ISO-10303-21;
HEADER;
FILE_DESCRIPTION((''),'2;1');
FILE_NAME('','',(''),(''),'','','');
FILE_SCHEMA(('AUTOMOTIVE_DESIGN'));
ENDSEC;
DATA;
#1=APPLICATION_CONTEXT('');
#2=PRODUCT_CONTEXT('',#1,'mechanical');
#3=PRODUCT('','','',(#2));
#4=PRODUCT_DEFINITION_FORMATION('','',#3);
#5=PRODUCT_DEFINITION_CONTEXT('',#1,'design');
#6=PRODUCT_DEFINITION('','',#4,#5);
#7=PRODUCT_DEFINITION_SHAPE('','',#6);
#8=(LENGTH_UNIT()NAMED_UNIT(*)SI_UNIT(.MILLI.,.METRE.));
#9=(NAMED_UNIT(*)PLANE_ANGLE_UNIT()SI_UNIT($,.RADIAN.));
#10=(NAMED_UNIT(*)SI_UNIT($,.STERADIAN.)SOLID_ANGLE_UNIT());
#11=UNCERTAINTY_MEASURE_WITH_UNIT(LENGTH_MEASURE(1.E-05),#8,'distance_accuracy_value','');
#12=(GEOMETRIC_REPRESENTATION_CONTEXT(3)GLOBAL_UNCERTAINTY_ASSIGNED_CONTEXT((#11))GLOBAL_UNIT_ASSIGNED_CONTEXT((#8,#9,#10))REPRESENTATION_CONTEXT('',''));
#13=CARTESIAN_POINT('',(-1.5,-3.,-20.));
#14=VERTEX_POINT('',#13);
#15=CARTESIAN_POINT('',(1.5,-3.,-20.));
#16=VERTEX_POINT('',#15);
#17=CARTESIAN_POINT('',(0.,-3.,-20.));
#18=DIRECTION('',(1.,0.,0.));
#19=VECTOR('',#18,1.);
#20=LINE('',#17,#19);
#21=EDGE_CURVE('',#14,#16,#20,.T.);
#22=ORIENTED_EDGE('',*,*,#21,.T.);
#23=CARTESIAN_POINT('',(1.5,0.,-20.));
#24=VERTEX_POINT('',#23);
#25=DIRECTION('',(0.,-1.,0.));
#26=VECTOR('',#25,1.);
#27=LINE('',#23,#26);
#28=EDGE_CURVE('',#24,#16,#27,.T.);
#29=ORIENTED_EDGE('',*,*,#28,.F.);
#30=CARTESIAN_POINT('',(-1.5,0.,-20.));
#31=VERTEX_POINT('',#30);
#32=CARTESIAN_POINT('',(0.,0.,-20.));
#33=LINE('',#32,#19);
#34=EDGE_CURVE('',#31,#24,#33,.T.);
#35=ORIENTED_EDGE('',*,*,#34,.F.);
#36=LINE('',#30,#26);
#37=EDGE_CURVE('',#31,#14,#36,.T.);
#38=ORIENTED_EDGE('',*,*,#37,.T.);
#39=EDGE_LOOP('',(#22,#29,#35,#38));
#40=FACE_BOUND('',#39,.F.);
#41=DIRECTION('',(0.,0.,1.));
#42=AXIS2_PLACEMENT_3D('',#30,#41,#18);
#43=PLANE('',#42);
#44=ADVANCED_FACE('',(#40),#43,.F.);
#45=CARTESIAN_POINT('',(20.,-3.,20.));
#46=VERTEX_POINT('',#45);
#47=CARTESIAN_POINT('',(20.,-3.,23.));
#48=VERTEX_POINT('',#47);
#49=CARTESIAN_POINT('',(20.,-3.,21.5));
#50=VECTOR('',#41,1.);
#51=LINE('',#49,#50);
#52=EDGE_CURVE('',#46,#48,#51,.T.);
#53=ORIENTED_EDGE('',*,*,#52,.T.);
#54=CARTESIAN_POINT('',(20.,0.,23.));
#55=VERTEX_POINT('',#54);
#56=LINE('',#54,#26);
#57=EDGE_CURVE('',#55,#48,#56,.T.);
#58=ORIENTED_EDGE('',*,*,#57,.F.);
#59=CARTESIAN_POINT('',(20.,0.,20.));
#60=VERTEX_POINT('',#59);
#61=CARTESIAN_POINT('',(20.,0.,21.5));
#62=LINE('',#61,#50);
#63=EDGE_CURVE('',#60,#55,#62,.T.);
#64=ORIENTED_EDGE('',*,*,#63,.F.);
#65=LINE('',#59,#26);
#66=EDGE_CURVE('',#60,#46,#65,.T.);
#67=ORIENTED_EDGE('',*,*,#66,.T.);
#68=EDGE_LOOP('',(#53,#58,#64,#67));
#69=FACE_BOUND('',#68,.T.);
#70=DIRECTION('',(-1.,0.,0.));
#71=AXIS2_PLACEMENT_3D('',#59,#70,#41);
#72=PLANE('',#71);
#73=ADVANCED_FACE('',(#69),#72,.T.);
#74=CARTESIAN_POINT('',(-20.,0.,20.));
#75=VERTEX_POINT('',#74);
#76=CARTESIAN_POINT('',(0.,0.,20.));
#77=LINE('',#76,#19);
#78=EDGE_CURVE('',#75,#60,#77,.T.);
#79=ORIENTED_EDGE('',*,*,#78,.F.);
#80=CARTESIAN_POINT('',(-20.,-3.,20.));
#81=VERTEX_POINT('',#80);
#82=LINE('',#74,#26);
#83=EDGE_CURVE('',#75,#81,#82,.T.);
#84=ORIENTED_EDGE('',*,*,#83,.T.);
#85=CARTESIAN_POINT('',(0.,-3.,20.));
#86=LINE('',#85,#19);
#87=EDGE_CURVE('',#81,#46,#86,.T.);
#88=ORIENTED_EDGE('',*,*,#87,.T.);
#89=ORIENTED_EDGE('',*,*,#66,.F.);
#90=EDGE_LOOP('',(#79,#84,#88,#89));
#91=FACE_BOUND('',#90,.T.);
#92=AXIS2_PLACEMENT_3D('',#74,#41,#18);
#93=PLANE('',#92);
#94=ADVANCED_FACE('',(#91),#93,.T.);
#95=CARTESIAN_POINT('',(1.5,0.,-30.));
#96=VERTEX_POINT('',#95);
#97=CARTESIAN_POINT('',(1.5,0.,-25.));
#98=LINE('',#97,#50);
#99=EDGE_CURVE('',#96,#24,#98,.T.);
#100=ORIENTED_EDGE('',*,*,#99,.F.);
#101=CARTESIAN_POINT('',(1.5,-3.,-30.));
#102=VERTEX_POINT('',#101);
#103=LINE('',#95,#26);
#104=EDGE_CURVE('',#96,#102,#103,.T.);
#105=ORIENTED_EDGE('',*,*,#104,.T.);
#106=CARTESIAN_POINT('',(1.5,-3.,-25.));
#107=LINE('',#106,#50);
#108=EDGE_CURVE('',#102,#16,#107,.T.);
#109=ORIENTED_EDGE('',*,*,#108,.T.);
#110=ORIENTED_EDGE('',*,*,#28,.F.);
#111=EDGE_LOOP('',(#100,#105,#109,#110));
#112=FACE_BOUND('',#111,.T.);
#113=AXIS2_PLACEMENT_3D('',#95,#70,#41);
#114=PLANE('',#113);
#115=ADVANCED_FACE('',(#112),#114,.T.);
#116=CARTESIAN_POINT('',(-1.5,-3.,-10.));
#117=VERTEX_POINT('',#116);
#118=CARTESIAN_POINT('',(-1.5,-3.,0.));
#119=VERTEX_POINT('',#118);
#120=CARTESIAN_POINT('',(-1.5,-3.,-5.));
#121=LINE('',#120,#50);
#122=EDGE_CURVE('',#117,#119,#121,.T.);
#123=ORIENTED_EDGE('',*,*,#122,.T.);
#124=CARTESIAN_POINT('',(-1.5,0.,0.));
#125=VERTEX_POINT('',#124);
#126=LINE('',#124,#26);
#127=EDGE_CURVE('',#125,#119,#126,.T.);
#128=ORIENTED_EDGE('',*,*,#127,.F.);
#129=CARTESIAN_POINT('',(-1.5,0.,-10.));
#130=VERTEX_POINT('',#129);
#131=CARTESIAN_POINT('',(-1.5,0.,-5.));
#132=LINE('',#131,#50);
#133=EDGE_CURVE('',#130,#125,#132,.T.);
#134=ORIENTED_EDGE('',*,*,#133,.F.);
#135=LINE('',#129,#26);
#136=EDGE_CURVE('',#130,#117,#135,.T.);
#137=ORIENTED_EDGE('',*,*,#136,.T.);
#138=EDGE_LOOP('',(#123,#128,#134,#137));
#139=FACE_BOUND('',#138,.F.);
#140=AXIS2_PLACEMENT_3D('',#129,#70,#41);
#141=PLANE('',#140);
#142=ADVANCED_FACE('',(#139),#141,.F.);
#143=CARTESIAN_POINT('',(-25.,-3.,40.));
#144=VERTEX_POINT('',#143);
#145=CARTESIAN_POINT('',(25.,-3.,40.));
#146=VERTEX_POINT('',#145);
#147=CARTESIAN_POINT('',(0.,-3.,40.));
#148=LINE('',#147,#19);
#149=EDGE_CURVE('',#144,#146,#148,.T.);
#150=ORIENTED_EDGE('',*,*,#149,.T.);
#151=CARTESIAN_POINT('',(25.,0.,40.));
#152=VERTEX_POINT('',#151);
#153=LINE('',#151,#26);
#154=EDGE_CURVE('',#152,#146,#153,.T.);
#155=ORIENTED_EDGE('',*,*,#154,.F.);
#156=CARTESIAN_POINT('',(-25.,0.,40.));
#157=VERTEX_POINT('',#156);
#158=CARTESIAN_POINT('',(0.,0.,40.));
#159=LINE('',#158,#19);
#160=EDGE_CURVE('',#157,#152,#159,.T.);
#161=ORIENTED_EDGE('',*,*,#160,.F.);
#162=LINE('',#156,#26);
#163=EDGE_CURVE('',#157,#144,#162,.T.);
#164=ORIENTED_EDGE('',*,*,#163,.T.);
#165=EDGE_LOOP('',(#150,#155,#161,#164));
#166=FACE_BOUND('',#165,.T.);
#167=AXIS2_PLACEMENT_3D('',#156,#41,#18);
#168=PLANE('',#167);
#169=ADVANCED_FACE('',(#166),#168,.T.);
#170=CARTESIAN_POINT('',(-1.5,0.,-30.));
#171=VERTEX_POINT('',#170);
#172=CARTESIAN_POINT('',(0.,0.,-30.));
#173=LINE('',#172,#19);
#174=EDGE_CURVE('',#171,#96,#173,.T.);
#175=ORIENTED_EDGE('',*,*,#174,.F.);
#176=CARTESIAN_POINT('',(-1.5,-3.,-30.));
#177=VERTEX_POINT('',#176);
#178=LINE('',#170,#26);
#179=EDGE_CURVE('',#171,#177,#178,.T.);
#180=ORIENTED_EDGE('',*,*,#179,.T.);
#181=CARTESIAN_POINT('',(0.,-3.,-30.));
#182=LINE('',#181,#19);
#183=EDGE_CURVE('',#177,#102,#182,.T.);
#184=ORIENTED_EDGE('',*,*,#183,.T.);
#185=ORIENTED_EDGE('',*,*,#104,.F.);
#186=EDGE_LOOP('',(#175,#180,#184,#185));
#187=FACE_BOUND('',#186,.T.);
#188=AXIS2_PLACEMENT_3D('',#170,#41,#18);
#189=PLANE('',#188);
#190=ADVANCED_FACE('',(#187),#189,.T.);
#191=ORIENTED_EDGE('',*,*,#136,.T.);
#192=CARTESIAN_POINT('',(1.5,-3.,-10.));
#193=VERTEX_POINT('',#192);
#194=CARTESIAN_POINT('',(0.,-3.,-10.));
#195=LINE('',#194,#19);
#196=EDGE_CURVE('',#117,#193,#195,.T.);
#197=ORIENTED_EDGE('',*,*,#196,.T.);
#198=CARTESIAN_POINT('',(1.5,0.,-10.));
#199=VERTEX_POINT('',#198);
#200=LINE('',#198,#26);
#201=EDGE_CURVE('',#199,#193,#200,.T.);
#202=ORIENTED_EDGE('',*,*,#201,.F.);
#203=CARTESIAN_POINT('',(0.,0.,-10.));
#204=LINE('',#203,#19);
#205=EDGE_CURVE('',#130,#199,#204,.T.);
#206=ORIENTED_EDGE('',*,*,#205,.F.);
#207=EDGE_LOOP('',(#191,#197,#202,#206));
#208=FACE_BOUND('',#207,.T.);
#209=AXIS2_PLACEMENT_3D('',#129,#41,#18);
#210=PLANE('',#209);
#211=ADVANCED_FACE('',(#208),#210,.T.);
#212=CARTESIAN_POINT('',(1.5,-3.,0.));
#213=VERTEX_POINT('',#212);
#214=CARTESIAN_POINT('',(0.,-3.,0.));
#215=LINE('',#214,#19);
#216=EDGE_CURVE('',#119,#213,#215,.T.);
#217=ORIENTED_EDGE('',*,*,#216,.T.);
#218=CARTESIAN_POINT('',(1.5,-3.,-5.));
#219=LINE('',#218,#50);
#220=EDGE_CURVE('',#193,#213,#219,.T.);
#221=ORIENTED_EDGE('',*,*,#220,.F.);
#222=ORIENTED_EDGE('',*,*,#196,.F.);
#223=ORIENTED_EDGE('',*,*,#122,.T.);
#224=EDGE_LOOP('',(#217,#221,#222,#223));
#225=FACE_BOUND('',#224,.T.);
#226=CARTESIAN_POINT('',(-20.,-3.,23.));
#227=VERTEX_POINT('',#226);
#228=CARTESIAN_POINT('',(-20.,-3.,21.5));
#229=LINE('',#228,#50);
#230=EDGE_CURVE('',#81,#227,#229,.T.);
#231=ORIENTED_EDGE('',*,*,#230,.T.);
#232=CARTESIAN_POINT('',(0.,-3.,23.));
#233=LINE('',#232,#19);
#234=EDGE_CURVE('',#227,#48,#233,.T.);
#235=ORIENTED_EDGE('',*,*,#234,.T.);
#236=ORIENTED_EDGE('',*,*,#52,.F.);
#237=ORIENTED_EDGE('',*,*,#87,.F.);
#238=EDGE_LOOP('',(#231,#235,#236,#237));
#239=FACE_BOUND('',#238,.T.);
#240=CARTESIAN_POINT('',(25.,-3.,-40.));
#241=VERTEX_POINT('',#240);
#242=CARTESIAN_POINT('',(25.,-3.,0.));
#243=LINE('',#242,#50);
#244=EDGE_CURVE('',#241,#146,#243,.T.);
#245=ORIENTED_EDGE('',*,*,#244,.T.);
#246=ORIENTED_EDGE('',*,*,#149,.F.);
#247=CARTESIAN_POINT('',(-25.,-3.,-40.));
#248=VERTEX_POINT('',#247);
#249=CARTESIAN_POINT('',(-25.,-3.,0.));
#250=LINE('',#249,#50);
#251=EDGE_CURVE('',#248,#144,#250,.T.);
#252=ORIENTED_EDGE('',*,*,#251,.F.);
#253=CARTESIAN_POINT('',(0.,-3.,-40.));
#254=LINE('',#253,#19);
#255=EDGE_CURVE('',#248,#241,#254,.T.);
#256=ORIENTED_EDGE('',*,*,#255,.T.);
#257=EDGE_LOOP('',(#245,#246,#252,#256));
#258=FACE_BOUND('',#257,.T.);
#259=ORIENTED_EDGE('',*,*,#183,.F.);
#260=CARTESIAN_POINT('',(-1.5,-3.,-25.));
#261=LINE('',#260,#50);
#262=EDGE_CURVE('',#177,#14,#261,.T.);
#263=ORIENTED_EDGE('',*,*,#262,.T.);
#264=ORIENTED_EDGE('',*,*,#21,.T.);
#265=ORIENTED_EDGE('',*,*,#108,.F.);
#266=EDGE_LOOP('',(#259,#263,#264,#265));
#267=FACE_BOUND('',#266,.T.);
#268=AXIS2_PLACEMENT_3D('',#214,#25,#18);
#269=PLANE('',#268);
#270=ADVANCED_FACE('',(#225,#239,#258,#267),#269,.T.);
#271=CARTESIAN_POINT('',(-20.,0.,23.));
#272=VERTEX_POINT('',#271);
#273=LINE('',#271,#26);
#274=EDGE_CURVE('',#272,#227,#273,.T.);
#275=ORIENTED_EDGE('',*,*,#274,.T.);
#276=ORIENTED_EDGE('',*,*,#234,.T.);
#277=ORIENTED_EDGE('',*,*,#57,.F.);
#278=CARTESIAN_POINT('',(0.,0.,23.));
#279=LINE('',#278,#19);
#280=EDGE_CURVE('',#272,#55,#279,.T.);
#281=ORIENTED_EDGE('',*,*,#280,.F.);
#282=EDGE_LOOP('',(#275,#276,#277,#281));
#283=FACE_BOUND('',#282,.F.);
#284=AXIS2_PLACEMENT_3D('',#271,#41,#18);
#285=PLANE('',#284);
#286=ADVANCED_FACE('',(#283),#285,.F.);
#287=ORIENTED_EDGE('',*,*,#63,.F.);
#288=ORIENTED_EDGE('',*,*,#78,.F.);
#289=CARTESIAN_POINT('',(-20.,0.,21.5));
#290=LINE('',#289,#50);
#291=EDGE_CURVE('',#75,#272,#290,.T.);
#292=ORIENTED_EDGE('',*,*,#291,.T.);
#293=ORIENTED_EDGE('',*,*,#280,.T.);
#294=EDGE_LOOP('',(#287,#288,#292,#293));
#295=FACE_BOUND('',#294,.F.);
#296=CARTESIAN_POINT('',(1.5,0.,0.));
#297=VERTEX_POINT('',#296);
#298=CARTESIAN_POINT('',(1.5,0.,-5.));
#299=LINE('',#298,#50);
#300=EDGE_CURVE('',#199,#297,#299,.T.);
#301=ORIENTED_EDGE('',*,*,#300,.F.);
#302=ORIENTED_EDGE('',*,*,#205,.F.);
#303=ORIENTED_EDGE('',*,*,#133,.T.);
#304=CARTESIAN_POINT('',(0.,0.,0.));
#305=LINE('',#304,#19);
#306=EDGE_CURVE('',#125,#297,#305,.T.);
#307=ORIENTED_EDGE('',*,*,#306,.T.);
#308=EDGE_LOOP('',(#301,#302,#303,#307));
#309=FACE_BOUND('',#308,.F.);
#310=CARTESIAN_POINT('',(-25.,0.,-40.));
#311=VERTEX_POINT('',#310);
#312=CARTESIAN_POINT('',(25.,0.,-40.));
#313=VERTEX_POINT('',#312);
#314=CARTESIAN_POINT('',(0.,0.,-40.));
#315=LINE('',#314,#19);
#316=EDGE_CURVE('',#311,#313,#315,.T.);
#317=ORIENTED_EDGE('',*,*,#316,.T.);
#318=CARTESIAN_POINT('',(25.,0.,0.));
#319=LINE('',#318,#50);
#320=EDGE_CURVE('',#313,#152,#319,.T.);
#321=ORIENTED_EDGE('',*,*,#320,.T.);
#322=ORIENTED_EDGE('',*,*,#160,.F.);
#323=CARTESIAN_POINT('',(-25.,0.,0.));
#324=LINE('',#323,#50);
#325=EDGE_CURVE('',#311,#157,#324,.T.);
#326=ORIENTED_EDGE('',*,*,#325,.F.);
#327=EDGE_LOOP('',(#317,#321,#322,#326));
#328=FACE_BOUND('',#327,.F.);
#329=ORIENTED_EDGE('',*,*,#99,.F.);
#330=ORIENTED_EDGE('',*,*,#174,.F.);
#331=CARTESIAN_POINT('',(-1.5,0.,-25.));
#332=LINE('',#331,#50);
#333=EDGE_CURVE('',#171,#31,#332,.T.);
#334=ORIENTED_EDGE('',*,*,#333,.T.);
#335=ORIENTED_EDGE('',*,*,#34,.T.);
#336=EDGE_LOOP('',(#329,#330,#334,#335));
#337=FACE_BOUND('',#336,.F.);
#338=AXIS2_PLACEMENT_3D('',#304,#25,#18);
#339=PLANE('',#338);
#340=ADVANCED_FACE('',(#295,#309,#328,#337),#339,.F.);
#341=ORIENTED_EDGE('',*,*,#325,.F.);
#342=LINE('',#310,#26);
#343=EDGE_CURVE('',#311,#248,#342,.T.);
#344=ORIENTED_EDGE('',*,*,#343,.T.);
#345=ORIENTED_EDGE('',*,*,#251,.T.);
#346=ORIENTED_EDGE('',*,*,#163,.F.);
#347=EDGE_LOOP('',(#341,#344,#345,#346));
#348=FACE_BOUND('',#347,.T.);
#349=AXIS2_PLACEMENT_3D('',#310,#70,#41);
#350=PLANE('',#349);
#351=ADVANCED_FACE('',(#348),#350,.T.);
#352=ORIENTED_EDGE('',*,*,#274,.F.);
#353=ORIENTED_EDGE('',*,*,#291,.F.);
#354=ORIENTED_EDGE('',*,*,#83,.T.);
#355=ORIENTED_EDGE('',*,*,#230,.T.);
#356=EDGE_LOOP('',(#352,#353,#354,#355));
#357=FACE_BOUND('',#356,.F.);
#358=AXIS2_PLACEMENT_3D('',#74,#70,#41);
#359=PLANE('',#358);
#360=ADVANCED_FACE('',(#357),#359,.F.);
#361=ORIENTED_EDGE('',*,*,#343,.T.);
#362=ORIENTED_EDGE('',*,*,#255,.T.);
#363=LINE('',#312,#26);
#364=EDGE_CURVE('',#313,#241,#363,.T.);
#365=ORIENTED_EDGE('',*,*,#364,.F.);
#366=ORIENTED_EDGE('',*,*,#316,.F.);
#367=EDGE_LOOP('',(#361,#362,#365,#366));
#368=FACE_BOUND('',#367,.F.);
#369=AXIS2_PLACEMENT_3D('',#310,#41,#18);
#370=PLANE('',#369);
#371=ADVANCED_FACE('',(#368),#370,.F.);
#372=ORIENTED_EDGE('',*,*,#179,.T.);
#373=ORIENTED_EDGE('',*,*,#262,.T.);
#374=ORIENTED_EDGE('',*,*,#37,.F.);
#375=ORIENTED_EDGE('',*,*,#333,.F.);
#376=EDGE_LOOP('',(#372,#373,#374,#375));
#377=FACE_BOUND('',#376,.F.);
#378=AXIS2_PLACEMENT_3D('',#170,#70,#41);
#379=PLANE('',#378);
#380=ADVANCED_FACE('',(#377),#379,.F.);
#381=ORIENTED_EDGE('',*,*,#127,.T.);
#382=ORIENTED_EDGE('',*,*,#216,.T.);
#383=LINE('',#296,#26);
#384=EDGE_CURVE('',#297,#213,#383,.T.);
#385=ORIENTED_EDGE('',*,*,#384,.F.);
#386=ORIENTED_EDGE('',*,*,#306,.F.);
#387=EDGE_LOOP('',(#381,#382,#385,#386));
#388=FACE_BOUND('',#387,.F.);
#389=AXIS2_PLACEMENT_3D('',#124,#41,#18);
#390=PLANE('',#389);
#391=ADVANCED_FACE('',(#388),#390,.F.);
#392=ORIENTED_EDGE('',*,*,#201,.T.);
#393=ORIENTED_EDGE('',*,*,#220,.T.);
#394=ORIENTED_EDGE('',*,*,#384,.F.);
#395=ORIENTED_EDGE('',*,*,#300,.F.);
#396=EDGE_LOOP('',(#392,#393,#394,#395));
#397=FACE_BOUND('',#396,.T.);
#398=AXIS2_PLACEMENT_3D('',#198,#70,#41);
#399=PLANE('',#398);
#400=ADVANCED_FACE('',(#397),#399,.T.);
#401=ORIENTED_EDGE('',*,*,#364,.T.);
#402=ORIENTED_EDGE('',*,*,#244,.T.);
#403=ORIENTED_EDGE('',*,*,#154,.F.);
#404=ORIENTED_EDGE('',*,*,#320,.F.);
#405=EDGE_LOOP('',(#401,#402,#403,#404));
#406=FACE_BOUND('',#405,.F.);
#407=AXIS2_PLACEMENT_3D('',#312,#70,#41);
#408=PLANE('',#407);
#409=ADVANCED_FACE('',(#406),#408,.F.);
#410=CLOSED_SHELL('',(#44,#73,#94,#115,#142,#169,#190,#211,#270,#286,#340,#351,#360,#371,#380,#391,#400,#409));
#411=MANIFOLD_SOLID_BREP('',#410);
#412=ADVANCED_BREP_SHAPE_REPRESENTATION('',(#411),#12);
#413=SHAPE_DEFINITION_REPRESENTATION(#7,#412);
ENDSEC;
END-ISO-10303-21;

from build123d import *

# Parameters (mm, degrees)
F1_W     = 50
F1_H     = 80
F1_W_2   = 3
F1_H_2   = 10
F1_W_3   = 40
F1_H_3   = 3
F0_DEPTH = 3


with BuildPart() as f0:
    # F1 (on Front) → F0 (new body)
    with BuildSketch(Plane.XZ):
        Rectangle(F1_W, F1_H)
        with Locations((0, -25)):
            Rectangle(F1_W_2, F1_H_2, mode=Mode.SUBTRACT)
        with Locations((0, -5)):
            Rectangle(F1_W_2, F1_H_2, mode=Mode.SUBTRACT)
        with Locations((0, 21.5)):
            Rectangle(F1_W_3, F1_H_3, mode=Mode.SUBTRACT)
    extrude(amount=F0_DEPTH)


solid = f0.part
